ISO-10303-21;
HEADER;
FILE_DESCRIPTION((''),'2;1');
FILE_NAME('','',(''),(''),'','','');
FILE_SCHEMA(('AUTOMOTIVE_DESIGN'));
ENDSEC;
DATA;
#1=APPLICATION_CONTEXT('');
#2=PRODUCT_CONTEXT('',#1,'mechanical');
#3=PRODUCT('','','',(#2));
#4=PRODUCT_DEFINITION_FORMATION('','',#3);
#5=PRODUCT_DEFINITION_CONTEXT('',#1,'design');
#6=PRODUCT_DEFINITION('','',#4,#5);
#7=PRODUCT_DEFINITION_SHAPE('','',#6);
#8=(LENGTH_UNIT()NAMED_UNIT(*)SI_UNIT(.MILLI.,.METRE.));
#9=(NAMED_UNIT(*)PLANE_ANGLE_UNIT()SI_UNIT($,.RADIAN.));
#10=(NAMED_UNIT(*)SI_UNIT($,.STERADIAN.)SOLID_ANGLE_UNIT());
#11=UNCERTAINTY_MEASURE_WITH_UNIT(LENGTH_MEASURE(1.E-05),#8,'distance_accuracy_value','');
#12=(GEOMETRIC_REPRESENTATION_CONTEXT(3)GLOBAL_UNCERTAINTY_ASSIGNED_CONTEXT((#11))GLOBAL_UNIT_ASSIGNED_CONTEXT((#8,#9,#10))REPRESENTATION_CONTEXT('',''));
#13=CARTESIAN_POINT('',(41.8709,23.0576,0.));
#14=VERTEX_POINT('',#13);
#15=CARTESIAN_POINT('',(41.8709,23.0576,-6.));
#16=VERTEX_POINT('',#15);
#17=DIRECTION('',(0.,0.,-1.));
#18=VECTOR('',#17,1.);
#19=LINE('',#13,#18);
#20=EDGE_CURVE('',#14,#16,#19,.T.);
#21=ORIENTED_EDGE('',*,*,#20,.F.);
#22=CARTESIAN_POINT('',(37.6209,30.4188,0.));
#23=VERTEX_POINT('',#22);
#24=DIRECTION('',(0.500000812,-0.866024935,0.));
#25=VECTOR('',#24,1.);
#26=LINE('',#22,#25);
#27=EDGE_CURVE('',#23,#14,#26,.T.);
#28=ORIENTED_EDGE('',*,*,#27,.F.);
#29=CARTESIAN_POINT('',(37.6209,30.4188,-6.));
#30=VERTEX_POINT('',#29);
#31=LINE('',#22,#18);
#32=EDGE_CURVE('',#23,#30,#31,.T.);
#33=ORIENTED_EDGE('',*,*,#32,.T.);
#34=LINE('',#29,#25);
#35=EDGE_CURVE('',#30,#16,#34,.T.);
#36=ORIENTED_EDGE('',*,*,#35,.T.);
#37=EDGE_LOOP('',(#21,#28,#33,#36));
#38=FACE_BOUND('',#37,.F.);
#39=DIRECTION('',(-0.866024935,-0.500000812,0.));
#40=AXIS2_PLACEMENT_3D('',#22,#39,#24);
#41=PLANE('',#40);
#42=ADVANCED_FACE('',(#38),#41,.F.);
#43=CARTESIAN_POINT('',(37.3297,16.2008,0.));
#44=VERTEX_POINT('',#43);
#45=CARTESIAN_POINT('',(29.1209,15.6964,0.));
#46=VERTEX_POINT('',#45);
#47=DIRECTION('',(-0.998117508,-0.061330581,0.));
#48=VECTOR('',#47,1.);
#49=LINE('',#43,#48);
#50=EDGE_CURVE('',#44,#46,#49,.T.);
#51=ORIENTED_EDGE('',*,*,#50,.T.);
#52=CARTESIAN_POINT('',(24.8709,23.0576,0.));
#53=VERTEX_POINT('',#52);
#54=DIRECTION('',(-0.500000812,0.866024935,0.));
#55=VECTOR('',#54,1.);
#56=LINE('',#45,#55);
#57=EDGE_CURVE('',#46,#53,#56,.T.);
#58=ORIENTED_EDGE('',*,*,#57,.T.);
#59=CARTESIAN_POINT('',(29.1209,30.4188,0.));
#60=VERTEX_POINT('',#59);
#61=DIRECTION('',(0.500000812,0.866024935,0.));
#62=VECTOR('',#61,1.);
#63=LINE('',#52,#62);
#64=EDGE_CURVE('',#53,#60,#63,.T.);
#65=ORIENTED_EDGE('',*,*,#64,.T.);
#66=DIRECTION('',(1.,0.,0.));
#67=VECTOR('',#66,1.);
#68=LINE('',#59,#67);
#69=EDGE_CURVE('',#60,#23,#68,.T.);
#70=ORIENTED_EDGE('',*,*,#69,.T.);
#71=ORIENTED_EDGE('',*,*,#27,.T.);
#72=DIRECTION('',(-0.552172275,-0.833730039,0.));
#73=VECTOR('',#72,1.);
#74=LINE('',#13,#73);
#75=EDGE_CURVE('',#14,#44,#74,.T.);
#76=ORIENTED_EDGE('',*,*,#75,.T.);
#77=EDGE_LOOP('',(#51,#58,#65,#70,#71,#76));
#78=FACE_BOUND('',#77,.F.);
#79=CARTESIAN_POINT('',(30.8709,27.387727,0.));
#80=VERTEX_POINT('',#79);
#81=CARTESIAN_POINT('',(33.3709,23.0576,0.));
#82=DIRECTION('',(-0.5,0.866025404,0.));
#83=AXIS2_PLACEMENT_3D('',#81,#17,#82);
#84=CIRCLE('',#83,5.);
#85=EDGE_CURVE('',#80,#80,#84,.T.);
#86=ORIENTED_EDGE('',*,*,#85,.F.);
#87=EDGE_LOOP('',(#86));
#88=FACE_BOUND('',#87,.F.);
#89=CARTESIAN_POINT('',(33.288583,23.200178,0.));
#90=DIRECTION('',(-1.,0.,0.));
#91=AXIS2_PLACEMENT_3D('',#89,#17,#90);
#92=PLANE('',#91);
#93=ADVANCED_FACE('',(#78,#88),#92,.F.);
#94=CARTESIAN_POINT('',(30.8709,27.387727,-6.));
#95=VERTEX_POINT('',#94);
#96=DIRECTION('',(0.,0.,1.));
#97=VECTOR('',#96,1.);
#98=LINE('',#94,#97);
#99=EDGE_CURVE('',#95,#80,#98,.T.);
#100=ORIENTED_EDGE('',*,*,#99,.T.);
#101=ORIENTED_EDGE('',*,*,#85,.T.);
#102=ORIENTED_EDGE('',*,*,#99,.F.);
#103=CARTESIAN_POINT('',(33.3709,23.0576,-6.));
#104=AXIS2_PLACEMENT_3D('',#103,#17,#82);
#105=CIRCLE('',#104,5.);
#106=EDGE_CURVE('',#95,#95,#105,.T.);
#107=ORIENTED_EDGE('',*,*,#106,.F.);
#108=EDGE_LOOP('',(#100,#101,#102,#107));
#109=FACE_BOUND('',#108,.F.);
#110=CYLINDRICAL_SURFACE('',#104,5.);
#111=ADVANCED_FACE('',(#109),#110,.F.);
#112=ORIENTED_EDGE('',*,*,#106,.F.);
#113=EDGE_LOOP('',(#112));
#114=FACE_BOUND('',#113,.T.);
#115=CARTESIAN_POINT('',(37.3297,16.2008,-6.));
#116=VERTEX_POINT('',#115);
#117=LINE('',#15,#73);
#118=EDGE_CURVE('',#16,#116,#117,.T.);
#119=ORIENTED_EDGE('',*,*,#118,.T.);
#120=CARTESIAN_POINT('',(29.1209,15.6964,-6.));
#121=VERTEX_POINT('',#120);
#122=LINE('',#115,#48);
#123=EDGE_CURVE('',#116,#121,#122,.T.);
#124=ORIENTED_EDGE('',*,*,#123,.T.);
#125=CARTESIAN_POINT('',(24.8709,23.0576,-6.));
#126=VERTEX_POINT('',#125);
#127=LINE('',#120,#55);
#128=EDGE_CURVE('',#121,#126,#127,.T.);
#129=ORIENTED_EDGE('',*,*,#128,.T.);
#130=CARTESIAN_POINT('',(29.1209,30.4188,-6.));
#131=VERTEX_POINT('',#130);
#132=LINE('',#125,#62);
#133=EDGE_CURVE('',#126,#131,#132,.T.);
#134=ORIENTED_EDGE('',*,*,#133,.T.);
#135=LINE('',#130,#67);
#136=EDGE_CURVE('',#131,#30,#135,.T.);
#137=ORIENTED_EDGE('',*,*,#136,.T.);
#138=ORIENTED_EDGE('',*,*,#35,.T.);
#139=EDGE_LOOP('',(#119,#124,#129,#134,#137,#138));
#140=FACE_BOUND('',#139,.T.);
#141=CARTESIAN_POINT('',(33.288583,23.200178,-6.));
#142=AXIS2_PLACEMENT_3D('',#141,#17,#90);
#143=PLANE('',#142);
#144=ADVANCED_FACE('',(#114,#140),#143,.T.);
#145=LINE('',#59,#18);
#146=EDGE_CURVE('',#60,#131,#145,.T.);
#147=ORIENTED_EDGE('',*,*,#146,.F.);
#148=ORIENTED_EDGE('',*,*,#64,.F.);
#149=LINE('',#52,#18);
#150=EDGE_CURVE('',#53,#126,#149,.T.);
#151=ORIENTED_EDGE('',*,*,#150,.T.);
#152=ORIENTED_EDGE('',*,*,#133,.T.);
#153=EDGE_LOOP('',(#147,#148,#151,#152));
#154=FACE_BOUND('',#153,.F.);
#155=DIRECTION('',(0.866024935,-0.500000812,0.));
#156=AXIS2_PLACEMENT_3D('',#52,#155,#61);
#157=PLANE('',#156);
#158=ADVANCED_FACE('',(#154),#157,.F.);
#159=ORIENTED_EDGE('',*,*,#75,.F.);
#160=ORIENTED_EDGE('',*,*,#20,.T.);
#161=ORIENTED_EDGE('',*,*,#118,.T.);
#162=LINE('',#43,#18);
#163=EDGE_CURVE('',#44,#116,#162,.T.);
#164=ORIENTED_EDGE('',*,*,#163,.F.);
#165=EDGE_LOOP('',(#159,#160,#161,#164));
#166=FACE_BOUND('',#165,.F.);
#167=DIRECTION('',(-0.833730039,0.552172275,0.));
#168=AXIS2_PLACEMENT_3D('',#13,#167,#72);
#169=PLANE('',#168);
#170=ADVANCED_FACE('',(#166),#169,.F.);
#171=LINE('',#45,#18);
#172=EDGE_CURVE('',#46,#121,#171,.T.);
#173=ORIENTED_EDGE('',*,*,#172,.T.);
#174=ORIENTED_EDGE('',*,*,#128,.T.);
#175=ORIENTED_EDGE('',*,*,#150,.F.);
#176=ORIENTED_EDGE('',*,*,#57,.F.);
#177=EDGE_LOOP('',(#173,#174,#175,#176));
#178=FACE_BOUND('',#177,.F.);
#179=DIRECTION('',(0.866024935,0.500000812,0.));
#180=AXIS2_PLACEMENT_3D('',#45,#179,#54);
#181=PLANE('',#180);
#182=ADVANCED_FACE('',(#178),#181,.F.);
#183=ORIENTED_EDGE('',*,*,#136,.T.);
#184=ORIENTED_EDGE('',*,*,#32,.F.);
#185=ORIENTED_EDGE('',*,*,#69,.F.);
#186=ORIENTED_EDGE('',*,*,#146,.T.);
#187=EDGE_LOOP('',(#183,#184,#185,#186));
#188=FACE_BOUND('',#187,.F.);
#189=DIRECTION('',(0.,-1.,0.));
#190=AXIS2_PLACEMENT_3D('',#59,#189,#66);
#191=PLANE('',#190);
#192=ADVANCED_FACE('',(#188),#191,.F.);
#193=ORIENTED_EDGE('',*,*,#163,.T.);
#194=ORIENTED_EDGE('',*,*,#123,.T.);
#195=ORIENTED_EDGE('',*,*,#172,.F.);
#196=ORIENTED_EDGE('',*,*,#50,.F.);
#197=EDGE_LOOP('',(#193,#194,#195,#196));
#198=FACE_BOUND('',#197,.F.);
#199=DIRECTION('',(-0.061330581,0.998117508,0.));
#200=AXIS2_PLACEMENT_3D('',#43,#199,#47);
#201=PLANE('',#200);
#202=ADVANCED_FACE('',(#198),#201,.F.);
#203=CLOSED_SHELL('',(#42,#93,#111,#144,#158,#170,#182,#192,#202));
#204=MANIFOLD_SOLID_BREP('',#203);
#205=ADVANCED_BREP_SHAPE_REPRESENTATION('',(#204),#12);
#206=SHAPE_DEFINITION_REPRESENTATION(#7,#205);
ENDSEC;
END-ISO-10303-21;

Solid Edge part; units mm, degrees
sketch "Sketch1" plane through (0, 0, 0) normal (0, 0, 1) x (1, 0, 0)
  line L0 (24.8709, 23.0576) -> (29.1209, 30.4188)
  line L1 (29.1209, 30.4188) -> (37.6209, 30.4188)
  line L2 (37.6209, 30.4188) -> (41.8709, 23.0576)
  line L3 (41.8709, 23.0576) -> (37.3297, 16.2008)
  line L4 (37.3297, 16.2008) -> (29.1209, 15.6964)
  line L5 (29.1209, 15.6964) -> (24.8709, 23.0576)
extrude "Protrusion1" add sketch "Sketch1" against normal blind 6
sketch "Sketch2" plane through (33.3709, 23.0576, -6) normal (0, 0, -1) x (-0.5, 0.866, 0)
  circle A0 centre (0, 0) radius 5
extrude "ExtrudedCutout_2" cut sketch "Sketch2" against normal blind 6
